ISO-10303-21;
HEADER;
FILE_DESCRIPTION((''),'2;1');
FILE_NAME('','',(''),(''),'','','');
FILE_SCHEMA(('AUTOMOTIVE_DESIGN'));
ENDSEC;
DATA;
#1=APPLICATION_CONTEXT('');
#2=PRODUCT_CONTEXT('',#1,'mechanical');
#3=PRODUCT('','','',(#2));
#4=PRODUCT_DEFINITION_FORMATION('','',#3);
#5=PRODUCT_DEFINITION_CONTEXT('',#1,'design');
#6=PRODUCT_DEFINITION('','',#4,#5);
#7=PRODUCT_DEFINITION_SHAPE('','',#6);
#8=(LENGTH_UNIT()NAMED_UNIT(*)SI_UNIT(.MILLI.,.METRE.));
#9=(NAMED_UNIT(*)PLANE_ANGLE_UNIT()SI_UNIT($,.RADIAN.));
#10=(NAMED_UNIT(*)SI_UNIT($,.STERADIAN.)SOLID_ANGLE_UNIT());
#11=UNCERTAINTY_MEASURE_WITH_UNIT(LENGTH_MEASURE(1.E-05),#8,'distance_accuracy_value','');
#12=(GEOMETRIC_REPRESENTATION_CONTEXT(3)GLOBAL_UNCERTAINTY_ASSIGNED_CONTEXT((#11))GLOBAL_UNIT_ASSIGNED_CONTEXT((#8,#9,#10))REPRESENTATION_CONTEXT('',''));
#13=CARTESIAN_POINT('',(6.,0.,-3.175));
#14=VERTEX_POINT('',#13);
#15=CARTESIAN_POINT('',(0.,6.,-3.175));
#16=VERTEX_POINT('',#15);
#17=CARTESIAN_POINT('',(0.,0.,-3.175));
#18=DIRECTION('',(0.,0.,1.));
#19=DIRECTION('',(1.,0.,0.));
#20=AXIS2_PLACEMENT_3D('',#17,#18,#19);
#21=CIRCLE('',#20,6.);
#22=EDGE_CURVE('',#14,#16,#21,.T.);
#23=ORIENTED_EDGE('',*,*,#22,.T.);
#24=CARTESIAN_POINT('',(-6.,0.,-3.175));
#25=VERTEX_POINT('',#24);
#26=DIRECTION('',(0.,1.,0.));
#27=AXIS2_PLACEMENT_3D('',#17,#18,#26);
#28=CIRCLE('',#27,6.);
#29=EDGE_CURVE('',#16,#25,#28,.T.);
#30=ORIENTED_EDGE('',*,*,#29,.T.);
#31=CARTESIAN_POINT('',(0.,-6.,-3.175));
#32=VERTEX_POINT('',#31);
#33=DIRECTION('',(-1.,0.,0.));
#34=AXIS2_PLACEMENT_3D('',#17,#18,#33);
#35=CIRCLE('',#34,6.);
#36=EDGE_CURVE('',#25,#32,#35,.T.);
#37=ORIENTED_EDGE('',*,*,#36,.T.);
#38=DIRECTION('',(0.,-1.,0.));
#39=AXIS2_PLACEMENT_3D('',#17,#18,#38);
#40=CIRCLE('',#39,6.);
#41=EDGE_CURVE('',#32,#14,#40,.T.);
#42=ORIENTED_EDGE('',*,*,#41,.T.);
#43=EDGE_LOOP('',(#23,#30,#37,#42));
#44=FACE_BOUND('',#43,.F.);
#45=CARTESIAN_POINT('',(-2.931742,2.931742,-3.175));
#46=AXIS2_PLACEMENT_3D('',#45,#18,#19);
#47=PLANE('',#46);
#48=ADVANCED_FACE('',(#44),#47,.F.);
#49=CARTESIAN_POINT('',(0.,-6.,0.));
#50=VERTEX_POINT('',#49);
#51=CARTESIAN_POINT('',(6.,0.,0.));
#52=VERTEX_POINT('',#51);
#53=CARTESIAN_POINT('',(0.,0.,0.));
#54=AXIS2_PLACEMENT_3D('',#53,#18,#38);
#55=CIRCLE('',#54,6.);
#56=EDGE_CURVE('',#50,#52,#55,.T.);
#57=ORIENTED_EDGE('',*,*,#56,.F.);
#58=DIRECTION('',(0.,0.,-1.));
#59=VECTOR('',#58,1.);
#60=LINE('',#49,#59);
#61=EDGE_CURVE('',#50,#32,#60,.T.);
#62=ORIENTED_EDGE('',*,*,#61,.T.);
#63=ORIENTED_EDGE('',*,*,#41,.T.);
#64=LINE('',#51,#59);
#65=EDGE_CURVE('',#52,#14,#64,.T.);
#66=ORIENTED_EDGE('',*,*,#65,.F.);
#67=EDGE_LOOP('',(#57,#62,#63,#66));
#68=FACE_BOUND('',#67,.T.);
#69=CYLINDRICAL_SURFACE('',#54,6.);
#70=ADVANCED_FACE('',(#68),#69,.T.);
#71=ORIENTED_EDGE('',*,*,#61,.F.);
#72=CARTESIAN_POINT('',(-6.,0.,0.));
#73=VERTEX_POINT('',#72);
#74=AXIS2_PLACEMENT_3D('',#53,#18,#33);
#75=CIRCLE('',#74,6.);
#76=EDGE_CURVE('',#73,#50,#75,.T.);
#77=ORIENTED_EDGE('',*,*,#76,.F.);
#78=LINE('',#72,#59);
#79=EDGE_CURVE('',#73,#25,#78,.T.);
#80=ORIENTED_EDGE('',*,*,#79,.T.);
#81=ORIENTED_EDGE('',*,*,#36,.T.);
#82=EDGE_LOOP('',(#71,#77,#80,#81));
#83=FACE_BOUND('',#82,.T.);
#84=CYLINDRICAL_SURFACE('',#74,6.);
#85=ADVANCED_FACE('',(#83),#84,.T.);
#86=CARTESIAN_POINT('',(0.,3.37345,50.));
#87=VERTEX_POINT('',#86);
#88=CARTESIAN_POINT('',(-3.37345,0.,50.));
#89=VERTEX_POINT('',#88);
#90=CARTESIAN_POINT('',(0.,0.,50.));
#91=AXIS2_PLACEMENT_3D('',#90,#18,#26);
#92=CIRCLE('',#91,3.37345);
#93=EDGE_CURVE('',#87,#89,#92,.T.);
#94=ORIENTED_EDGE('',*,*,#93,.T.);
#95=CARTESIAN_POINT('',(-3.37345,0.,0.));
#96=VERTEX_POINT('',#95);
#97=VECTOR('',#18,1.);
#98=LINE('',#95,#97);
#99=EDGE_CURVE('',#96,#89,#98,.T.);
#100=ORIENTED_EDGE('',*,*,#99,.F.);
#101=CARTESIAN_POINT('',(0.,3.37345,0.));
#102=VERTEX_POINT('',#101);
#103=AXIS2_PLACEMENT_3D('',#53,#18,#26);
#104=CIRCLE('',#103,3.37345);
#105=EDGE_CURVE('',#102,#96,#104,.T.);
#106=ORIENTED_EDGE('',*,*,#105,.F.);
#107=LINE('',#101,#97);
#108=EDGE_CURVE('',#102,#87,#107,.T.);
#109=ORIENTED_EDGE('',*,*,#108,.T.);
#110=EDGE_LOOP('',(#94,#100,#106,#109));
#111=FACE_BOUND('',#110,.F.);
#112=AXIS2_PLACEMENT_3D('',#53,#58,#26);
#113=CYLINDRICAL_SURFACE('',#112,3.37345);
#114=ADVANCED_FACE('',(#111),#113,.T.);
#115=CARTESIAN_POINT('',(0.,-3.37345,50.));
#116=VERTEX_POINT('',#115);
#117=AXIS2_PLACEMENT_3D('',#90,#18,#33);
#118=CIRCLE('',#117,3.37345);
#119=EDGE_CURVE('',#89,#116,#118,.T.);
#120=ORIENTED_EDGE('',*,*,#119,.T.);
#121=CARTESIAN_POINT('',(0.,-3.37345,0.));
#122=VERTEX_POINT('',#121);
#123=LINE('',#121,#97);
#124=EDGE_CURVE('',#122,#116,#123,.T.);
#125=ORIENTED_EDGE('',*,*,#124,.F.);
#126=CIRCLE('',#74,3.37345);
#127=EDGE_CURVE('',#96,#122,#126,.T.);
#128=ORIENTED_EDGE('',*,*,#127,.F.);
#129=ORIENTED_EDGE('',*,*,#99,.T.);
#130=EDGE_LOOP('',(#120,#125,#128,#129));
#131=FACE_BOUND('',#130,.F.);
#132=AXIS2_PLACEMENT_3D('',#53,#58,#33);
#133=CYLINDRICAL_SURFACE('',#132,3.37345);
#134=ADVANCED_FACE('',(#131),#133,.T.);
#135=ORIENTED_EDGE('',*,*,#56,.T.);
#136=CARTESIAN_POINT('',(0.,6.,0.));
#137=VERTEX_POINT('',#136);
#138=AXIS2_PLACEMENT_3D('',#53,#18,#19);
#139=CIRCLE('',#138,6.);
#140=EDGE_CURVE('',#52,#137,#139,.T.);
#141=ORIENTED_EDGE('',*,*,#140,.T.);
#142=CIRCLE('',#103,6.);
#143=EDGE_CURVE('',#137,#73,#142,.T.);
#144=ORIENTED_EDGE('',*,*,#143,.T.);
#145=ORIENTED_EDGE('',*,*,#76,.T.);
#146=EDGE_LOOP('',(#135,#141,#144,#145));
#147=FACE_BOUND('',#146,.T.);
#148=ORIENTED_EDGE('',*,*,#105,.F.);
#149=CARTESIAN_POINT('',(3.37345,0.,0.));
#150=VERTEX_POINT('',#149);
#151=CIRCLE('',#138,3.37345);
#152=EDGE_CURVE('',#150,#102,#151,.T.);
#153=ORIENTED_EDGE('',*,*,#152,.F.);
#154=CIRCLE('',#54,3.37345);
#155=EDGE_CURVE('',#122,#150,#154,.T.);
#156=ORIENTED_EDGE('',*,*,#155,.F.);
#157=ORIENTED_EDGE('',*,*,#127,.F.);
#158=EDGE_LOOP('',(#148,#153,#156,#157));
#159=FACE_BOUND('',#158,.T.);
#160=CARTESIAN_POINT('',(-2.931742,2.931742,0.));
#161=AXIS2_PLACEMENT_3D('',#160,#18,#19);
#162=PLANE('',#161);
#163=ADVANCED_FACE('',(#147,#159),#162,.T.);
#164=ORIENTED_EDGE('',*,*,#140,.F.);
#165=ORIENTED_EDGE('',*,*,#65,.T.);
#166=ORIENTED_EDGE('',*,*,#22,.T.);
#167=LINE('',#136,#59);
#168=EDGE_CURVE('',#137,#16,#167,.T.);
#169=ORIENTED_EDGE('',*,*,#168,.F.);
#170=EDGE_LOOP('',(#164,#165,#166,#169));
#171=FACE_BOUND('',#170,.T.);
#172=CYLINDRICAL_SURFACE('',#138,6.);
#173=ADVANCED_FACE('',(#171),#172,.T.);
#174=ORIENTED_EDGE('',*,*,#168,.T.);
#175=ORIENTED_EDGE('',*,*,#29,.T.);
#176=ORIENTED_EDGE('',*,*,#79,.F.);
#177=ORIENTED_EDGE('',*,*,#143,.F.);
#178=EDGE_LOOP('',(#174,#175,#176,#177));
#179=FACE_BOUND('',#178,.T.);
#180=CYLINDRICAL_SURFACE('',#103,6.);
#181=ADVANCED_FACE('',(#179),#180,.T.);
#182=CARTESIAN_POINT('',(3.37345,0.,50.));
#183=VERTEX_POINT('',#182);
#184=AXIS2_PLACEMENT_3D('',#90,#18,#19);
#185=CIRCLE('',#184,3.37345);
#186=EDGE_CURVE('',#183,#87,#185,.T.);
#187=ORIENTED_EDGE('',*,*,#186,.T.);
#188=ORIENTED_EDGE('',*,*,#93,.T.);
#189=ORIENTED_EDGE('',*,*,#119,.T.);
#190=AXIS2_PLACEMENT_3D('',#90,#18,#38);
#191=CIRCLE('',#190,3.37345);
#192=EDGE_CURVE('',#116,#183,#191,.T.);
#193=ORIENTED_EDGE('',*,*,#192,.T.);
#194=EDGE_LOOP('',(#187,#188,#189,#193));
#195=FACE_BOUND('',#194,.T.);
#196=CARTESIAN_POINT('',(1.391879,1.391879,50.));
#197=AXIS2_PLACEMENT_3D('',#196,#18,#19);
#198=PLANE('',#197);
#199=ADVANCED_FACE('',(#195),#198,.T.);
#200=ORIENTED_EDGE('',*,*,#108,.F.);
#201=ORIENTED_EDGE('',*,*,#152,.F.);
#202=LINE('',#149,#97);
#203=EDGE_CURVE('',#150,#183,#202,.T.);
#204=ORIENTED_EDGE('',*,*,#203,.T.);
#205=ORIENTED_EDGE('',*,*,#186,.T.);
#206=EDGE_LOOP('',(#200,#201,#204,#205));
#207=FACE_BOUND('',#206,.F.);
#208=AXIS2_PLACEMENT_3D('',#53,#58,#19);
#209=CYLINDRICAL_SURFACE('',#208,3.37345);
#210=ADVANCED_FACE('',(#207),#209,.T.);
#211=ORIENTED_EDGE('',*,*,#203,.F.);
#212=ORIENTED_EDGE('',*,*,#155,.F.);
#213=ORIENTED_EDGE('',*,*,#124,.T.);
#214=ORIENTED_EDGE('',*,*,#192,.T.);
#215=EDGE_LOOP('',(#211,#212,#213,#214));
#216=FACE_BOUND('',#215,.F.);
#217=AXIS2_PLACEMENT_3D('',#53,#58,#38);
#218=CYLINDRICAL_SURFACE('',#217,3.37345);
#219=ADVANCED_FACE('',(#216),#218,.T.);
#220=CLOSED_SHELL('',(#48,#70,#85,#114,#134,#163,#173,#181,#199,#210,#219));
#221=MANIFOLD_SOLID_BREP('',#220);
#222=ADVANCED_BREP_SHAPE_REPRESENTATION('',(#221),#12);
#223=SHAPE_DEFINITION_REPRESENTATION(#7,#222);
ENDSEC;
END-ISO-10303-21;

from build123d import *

# Parameters (mm, degrees)
F1_DEPTH = 3.175
F3_DEPTH = 50


with BuildPart() as f1:
    # F0 (on Top) → F1 (new body)
    with BuildSketch(Plane.XY):
        with BuildLine():
            Line((0, 3.37345), (0, 6))
            ThreePointArc((0, 6), (-4.2426406871, 4.2426406871), (-6, 0))
            Line((-6, 0), (-3.37345, 0))
            ThreePointArc((-3.37345, 0), (-2.385389371, 2.385389371), (0, 3.37345))
        make_face()
        with BuildLine():
            Line((0, 0), (0, 3.37345))
            ThreePointArc((0, 3.37345), (-2.385389371, 2.385389371), (-3.37345, 0))
            Line((-3.37345, 0), (0, 0))
        make_face()
        with BuildLine():
            ThreePointArc((3.37345, 0), (2.385389371, 2.385389371), (0, 3.37345))
            Line((0, 3.37345), (0, 0))
            Line((0, 0), (3.37345, 0))
        make_face()
        with BuildLine():
            ThreePointArc((6, 0), (4.2426406871, 4.2426406871), (0, 6))
            Line((0, 6), (0, 3.37345))
            ThreePointArc((0, 3.37345), (2.385389371, 2.385389371), (3.37345, 0))
            Line((3.37345, 0), (6, 0))
        make_face()
        with BuildLine():
            ThreePointArc((0, -6), (4.2426406871, -4.2426406871), (6, 0))
            Line((6, 0), (3.37345, 0))
            ThreePointArc((3.37345, 0), (2.385389371, -2.385389371), (0, -3.37345))
            Line((0, -3.37345), (0, -6))
        make_face()
        with BuildLine():
            Line((3.37345, 0), (0, 0))
            Line((0, 0), (0, -3.37345))
            ThreePointArc((0, -3.37345), (2.385389371, -2.385389371), (3.37345, 0))
        make_face()
        with BuildLine():
            Line((0, -3.37345), (0, 0))
            Line((0, 0), (-3.37345, 0))
            ThreePointArc((-3.37345, 0), (-2.385389371, -2.385389371), (0, -3.37345))
        make_face()
        with BuildLine():
            Line((-3.37345, 0), (-6, 0))
            ThreePointArc((-6, 0), (-4.2426406871, -4.2426406871), (0, -6))
            Line((0, -6), (0, -3.37345))
            ThreePointArc((0, -3.37345), (-2.385389371, -2.385389371), (-3.37345, 0))
        make_face()
    extrude(amount=-F1_DEPTH)

    # F2 (on Top) → F3 (join)
    with BuildSketch(Plane.XY):
        with BuildLine():
            ThreePointArc((3.37345, 0), (2.385389371, 2.385389371), (0, 3.37345))
            Line((0, 3.37345), (0, 0))
            Line((0, 0), (3.37345, 0))
        make_face()
        with BuildLine():
            Line((3.37345, 0), (0, 0))
            Line((0, 0), (0, -3.37345))
            ThreePointArc((0, -3.37345), (2.385389371, -2.385389371), (3.37345, 0))
        make_face()
        with BuildLine():
            Line((0, -3.37345), (0, 0))
            Line((0, 0), (-3.37345, 0))
            ThreePointArc((-3.37345, 0), (-2.385389371, -2.385389371), (0, -3.37345))
        make_face()
        with BuildLine():
            Line((0, 0), (0, 3.37345))
            ThreePointArc((0, 3.37345), (-2.385389371, 2.385389371), (-3.37345, 0))
            Line((-3.37345, 0), (0, 0))
        make_face()
    extrude(amount=F3_DEPTH)


solid = f1.part
